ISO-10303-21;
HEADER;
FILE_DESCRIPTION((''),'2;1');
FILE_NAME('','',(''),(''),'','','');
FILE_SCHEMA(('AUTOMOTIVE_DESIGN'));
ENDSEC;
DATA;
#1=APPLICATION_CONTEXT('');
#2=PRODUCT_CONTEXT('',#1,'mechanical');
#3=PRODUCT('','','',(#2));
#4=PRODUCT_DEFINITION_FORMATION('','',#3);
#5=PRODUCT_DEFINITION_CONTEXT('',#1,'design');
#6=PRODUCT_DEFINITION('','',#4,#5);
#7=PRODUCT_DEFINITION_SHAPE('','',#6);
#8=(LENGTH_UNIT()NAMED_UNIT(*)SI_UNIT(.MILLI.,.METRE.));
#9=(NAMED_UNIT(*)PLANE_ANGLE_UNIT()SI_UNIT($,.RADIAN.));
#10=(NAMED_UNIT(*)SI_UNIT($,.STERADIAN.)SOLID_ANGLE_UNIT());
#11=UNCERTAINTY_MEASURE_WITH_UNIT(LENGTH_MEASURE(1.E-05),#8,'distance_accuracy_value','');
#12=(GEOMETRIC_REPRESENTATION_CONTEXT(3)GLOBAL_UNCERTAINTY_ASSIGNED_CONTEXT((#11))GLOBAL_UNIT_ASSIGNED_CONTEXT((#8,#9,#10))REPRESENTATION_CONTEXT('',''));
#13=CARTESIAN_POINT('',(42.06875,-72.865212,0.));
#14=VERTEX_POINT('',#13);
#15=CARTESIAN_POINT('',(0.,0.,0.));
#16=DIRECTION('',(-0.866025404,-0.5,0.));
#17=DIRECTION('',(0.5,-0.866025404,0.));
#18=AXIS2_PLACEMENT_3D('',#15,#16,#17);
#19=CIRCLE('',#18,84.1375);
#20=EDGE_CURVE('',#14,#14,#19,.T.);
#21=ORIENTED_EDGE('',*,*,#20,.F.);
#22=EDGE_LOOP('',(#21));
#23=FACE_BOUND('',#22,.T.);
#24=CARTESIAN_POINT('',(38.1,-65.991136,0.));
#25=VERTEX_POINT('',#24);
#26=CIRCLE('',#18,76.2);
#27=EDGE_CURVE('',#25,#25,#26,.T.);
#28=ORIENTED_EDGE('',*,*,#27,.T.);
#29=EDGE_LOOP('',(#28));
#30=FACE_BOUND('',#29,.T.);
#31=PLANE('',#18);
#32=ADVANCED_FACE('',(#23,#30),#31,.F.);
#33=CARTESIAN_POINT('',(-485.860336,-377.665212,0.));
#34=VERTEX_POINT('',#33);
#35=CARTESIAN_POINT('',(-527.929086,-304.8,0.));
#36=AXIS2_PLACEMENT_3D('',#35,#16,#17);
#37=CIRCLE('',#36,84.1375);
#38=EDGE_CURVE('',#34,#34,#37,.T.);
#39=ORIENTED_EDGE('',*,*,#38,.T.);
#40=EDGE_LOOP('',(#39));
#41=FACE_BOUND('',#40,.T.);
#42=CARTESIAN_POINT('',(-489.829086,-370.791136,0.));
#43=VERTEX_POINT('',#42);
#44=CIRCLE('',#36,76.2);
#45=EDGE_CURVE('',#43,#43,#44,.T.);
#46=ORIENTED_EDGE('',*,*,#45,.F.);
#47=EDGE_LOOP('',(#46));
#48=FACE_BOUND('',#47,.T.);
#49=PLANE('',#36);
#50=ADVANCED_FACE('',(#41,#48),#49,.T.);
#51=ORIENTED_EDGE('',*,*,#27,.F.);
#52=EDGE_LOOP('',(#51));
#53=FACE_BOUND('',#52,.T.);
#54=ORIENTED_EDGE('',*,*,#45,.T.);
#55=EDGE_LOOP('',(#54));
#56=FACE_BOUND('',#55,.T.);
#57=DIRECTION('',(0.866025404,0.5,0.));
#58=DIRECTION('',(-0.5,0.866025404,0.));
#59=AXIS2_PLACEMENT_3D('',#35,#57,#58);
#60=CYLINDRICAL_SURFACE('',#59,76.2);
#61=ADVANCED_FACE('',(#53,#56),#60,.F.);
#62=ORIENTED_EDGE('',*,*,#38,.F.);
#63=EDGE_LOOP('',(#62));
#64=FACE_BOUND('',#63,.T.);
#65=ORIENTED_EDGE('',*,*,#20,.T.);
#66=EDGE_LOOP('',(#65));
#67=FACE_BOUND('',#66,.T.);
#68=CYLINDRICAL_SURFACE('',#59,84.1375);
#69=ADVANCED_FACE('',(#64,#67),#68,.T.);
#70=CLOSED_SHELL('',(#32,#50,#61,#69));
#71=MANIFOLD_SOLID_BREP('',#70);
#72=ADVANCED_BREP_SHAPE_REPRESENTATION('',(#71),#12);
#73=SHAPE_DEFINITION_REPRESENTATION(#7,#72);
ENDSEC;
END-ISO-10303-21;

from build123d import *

# Parameters (mm, degrees)
SKETCH2_R   = 84.1375
SKETCH2_R_2 = 76.2


with BuildPart() as part:
    # Sweep1: sweep along a path in Sketch1
    with BuildLine(Plane.XY) as sweep1_path:
        Line((0, 0), (-527.929086147, -304.8))
    # Sketch2 → Sweep1 (sweep)
    with BuildSketch(Plane(origin=(0, 0, 0), x_dir=(0, 0, 1), z_dir=(-0.8660254037844379, -0.5000000000000013, 0))):
        Circle(SKETCH2_R)
        Circle(SKETCH2_R_2, mode=Mode.SUBTRACT)
    sweep(path=sweep1_path.line)


solid = part.part
